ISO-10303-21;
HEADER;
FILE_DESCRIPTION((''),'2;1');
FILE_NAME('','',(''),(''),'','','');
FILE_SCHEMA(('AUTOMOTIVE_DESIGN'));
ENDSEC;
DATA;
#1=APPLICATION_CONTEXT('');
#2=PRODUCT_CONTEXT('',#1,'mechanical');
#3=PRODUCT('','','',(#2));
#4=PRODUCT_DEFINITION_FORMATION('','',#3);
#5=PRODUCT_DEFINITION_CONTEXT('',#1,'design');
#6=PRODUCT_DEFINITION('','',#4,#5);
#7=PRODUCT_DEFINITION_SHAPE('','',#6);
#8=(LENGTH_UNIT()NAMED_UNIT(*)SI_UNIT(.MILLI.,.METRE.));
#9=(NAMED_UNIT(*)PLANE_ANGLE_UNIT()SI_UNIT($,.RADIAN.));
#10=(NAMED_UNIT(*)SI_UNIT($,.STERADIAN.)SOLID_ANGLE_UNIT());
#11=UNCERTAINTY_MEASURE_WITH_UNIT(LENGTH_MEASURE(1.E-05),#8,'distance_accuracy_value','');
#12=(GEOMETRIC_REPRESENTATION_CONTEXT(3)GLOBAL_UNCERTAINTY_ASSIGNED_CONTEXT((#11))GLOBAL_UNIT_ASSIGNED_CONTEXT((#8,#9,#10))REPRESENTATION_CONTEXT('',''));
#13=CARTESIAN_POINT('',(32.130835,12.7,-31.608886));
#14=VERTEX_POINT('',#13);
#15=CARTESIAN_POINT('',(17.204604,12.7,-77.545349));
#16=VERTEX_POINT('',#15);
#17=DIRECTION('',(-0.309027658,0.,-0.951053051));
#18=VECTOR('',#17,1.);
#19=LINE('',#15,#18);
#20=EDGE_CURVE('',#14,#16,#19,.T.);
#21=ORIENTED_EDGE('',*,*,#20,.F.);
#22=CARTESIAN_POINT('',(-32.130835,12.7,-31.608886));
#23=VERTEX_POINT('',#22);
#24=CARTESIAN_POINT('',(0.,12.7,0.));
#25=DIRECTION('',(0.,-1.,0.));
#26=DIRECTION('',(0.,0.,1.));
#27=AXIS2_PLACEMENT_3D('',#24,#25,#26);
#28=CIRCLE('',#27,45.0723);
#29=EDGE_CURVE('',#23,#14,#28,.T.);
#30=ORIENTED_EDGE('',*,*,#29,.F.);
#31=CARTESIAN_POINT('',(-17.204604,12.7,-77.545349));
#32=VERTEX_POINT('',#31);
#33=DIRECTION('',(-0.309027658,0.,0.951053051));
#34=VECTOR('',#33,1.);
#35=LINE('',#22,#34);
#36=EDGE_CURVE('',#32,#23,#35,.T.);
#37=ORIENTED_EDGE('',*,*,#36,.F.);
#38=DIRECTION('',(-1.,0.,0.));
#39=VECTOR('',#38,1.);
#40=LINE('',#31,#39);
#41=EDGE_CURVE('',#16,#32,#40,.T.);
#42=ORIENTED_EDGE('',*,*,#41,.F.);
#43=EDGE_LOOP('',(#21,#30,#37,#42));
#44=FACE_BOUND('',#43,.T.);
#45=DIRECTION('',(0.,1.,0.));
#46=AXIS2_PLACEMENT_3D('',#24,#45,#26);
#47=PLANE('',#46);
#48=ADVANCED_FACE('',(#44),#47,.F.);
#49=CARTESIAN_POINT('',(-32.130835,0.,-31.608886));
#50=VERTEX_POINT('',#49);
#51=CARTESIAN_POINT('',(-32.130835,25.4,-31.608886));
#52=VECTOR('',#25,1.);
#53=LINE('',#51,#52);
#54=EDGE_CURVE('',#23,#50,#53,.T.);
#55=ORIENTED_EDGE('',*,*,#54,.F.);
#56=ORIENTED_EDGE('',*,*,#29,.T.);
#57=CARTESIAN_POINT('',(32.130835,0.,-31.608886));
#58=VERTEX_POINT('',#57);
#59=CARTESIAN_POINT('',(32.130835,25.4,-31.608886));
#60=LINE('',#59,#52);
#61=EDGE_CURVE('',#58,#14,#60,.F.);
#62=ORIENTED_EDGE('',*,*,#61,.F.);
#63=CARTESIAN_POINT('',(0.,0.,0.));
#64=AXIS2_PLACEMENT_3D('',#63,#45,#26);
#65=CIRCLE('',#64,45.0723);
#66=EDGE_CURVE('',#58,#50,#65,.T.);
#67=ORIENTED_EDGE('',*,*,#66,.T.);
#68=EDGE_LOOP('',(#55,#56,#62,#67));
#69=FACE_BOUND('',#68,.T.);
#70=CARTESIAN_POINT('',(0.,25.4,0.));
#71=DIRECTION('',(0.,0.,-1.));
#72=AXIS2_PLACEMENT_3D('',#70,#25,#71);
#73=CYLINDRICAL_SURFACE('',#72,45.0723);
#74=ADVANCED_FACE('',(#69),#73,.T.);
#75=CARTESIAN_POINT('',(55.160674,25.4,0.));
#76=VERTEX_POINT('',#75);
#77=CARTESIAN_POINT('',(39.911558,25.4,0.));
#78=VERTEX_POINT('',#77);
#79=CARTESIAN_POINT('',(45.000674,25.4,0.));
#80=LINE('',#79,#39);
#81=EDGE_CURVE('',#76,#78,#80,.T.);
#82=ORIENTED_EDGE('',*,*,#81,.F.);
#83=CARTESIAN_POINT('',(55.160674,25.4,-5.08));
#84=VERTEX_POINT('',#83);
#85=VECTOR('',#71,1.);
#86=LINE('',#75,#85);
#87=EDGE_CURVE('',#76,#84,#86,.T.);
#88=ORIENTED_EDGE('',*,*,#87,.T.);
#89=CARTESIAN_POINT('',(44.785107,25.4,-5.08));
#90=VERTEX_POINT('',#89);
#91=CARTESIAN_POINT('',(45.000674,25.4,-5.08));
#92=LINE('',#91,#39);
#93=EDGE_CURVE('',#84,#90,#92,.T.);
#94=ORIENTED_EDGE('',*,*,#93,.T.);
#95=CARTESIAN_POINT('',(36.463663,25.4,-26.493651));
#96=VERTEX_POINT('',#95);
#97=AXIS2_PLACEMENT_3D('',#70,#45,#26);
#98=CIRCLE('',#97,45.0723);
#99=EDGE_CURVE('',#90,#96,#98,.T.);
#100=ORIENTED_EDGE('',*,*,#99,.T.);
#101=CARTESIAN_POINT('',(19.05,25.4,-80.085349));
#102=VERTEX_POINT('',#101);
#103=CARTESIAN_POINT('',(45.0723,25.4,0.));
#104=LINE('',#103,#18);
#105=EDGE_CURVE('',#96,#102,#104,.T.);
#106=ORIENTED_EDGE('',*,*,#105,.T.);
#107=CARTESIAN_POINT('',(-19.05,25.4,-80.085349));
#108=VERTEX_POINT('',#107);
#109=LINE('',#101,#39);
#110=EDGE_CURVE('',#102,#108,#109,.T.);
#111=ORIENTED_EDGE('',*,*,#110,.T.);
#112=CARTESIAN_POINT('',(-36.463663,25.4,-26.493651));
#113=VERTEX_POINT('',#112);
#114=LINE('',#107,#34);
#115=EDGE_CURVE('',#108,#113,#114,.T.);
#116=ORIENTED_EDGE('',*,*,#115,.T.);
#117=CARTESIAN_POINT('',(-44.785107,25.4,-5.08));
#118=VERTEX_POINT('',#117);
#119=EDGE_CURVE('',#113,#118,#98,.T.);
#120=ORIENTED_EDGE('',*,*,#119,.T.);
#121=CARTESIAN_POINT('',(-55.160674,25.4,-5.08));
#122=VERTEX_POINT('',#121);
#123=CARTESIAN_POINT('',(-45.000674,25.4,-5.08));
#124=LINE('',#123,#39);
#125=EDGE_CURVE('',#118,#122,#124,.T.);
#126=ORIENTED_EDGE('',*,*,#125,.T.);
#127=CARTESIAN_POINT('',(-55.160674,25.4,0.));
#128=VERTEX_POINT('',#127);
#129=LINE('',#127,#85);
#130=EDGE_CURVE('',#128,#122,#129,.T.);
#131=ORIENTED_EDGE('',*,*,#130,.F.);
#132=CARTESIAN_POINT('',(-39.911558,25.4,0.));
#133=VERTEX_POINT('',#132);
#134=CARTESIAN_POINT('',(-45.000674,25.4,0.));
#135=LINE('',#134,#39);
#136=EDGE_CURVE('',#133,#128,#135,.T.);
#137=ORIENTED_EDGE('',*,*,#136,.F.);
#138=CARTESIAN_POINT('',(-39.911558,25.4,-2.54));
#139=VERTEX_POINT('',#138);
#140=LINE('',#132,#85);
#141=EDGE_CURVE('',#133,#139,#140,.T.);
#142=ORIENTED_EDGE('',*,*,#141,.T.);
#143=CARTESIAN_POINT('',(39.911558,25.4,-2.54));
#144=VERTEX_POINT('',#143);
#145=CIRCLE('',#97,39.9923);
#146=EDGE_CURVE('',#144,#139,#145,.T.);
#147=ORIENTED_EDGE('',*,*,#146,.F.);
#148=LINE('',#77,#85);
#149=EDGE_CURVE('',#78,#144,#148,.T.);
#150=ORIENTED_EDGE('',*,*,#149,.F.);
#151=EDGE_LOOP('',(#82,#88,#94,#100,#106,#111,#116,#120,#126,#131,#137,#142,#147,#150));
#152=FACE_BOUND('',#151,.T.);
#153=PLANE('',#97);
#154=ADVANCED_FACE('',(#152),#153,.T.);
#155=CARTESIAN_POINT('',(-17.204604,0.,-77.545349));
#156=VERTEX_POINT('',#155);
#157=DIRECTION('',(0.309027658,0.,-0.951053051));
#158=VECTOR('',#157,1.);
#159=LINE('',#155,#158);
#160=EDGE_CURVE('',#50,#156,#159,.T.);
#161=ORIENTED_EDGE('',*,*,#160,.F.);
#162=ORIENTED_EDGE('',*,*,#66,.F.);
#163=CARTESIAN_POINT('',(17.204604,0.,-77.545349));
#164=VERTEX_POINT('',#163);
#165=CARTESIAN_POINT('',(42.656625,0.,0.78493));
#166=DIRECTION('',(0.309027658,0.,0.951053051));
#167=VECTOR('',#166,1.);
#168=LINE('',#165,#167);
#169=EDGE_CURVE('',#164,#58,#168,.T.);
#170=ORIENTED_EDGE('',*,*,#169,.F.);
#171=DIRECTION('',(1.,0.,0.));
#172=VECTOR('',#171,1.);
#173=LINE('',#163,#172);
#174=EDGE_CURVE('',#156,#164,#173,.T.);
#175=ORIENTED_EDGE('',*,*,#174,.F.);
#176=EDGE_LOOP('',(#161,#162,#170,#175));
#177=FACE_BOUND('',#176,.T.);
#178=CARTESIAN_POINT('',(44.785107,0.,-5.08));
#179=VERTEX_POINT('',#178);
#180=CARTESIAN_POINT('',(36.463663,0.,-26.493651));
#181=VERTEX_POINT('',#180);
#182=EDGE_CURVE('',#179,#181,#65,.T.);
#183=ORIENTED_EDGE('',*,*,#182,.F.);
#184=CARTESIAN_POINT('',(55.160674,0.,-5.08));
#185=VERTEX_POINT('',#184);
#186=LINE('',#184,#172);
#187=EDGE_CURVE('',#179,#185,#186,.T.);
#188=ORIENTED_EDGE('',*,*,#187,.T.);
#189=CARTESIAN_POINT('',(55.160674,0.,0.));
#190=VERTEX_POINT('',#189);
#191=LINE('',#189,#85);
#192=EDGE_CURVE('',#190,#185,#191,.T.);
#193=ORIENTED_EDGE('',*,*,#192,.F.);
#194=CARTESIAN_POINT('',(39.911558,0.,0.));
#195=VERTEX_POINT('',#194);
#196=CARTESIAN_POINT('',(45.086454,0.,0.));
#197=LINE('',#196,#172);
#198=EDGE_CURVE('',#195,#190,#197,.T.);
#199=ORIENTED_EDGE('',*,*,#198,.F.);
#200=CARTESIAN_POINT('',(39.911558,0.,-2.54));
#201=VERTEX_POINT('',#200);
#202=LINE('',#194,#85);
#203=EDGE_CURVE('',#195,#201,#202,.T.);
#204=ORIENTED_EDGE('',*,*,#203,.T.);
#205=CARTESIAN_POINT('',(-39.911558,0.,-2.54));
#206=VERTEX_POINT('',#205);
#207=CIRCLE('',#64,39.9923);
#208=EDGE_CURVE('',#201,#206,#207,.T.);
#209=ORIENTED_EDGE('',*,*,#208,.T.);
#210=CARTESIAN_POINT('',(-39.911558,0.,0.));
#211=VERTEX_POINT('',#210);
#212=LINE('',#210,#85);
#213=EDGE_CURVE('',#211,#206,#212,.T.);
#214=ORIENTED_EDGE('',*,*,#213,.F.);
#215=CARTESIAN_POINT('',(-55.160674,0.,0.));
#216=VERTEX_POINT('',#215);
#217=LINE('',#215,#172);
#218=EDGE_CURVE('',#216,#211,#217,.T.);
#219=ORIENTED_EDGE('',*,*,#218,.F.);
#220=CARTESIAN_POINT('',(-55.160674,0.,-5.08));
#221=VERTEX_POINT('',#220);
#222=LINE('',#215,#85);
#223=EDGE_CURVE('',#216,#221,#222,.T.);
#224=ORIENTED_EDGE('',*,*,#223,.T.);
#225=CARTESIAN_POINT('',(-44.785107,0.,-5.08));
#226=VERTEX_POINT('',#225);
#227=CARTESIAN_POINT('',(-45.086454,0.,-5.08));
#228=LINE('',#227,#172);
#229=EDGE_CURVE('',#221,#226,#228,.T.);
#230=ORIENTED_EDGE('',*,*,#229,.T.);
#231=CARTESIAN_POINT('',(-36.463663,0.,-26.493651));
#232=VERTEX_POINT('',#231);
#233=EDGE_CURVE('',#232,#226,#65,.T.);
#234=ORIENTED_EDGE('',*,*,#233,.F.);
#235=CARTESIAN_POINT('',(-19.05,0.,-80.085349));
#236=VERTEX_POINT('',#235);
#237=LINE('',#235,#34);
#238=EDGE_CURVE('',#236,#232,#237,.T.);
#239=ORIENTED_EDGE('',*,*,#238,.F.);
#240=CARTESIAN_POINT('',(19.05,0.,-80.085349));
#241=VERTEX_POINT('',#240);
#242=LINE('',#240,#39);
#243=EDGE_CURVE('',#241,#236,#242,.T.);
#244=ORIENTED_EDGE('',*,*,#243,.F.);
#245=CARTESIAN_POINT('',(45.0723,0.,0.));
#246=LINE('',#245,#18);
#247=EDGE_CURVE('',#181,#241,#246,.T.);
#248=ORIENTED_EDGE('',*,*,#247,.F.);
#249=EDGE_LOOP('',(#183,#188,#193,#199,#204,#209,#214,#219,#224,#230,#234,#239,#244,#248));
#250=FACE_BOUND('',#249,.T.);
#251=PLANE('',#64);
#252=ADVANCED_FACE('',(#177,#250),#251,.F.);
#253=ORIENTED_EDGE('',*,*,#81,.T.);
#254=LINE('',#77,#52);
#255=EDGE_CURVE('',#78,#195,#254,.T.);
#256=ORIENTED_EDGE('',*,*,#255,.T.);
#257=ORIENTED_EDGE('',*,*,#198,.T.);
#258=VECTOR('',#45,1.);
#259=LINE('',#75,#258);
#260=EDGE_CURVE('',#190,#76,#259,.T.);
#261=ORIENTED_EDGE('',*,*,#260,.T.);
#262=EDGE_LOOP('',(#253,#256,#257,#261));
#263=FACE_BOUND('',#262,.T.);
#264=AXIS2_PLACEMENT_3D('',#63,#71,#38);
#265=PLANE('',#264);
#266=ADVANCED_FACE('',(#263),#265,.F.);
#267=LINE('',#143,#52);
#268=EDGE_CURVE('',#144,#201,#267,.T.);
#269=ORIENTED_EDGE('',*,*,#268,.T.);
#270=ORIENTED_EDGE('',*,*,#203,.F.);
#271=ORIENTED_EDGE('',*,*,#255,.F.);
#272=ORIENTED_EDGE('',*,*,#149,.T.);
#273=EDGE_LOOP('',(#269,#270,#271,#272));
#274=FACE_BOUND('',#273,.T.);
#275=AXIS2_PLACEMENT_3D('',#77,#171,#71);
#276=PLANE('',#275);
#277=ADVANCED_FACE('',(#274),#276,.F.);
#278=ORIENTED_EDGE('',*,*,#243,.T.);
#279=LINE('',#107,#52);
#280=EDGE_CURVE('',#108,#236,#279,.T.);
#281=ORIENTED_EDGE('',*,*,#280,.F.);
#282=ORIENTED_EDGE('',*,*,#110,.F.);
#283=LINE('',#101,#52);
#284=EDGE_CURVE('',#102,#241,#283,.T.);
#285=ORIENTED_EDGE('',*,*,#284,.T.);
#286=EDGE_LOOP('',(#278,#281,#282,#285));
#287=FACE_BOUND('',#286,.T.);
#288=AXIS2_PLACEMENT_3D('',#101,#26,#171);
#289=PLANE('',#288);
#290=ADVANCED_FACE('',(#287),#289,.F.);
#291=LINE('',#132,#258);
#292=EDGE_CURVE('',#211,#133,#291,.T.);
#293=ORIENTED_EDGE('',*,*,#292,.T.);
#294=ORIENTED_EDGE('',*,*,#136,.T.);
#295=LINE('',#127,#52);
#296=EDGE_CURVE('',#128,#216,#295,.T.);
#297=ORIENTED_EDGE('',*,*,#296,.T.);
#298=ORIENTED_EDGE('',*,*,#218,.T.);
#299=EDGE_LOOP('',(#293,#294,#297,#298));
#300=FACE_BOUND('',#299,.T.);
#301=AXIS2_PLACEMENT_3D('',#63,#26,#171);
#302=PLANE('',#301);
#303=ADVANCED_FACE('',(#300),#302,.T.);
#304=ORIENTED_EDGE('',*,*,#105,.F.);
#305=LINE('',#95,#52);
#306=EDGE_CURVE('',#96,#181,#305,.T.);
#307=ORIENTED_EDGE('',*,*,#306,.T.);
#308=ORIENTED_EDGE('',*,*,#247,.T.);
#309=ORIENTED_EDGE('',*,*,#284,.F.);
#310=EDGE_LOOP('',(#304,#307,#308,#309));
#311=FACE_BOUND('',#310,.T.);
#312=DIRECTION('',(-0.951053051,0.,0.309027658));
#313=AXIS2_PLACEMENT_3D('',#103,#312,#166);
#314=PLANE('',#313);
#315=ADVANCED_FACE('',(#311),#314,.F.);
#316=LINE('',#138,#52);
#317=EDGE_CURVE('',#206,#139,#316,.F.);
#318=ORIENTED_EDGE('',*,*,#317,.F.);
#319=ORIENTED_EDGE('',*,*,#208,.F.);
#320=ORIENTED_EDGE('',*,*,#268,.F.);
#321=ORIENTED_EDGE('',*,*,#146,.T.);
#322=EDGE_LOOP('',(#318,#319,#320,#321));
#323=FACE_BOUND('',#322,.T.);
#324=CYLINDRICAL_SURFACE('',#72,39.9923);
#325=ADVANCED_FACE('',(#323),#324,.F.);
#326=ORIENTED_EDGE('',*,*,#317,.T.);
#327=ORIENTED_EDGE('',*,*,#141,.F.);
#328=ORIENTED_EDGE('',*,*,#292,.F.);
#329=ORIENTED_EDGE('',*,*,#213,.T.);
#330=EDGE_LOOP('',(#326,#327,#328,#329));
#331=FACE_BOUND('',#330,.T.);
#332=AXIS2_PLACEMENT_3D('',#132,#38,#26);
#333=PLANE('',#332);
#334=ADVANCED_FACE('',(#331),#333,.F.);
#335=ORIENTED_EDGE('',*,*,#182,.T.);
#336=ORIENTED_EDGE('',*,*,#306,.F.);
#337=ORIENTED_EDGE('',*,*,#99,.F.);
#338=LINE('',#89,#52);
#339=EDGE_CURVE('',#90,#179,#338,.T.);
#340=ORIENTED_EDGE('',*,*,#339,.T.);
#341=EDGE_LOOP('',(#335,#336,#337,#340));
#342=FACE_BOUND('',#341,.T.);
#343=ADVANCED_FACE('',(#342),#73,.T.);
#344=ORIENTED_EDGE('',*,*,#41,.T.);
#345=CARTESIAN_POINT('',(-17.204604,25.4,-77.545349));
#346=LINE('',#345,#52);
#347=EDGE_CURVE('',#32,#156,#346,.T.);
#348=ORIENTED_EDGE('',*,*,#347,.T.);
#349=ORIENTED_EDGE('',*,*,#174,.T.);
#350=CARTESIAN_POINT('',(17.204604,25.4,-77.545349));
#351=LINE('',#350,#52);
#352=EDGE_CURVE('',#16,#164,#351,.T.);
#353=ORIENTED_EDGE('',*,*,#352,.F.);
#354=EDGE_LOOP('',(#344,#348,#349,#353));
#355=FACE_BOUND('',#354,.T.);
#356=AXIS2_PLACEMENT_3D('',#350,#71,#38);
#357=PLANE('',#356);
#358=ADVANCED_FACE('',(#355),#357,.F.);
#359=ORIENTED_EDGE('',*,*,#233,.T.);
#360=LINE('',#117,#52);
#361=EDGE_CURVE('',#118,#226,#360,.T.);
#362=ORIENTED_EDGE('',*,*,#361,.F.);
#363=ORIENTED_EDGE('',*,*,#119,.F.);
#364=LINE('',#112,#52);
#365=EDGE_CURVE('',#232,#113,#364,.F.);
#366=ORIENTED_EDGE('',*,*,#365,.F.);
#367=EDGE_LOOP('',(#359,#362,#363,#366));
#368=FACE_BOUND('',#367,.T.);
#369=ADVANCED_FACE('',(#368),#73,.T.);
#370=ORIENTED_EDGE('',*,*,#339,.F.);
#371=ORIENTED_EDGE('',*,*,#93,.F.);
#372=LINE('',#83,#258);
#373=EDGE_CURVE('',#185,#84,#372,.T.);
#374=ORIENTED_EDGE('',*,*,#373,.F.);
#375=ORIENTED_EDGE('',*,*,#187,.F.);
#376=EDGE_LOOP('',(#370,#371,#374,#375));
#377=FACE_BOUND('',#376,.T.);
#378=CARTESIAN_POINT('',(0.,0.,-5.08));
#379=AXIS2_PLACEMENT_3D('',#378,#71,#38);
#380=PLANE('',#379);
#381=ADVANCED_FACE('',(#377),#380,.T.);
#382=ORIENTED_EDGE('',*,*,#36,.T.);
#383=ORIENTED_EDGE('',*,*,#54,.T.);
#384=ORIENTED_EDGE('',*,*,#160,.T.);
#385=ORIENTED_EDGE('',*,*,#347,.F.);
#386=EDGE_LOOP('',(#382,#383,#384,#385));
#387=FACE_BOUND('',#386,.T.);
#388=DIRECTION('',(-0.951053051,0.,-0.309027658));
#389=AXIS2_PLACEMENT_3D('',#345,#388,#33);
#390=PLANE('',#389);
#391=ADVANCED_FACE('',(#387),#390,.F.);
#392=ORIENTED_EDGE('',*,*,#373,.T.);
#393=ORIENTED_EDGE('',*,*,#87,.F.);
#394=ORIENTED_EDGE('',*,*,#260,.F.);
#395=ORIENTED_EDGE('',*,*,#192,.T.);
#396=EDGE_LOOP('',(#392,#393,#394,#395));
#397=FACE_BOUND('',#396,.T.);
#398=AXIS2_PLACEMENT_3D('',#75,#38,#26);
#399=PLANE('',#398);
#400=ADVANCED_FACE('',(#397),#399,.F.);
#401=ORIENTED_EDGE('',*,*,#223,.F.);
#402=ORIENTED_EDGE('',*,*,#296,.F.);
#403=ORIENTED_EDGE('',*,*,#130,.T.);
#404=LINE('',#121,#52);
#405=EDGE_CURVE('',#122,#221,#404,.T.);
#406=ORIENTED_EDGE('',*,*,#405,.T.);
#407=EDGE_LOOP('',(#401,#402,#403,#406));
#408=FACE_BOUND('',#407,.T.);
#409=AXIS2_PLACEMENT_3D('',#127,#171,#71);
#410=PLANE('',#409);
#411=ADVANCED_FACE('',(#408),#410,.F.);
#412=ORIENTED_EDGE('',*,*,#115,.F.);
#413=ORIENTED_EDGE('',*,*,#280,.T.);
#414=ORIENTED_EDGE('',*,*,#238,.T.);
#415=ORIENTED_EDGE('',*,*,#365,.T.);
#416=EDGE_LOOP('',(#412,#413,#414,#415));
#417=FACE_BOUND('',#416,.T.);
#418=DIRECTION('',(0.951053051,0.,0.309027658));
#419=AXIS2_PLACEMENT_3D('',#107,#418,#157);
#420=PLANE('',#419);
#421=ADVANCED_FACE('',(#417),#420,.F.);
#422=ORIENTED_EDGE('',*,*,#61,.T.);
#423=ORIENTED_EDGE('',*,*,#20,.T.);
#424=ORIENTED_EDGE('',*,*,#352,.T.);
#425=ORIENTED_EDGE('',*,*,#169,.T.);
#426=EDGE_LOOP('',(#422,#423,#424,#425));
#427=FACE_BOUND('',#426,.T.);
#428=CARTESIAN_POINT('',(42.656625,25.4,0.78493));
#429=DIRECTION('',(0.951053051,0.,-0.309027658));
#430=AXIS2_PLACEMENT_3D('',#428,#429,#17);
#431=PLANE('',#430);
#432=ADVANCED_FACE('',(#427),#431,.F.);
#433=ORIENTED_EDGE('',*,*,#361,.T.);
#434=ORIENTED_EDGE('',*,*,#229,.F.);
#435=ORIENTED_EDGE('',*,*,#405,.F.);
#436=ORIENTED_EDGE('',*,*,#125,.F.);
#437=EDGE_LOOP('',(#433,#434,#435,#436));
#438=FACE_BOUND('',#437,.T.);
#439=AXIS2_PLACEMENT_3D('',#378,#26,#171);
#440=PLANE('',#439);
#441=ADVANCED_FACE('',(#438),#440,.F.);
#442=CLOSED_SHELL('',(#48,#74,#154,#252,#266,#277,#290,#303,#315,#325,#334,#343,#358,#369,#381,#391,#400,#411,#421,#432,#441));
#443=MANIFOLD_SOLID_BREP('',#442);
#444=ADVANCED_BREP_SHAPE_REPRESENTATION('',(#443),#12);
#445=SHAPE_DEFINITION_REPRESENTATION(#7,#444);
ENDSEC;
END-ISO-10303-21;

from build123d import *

# Parameters (mm, degrees)
SKETCH1_R               = 45.0723
SKETCH1_R_2             = 39.9923
BOSS_EXTRUDE1_DEPTH     = 25.4
BOSS_EXTRUDE2_DEPTH     = 12.7
BOSS_EXTRUDE3_DEPTH     = 12.7
SKETCH4_W               = 90.1446
SKETCH4_H               = 25.4
CUT_EXTRUDE1_DEPTH      = 46.0723
CUT_EXTRUDE1_DEPTH_BACK = 2.54
BOSS_EXTRUDE4_DEPTH     = 2.54


with BuildPart() as part:
    # Sketch1 → Boss-Extrude1 (new body)
    with BuildSketch(Plane(origin=(0, 0, 0), x_dir=(1, 0, 0), z_dir=(0, 1, 0))):
        Circle(SKETCH1_R)
        Circle(SKETCH1_R_2, mode=Mode.SUBTRACT)
    extrude(amount=BOSS_EXTRUDE1_DEPTH)

    # Sketch2 → Boss-Extrude2 (add, symmetric)
    with BuildSketch(Plane(origin=(0, 12.7, 0), x_dir=(1, 0, 0), z_dir=(0, 1, 0))):
        Polygon((45.0723, 0), (19.05, 80.085348852), (-19.05, 80.085348852), (-45.0723, 0), (-42.65662525, -0.784930252), (-17.204603736, 77.545348852), (17.204603736, 77.545348852), (42.65662525, -0.784930252), align=None)
    extrude(amount=BOSS_EXTRUDE2_DEPTH, both=True)

    # Sketch3 → Boss-Extrude3 (add)
    with BuildSketch(Plane(origin=(0, 25.4, 0), x_dir=(1, 0, 0), z_dir=(0, 1, 0))):
        with BuildLine():
            Line((-17.204603736, 77.545348852), (17.204603736, 77.545348852))
            Line((17.204603736, 77.545348852), (32.130834652, 31.60888628))
            ThreePointArc((32.130834652, 31.60888628), (0, 45.0723), (-32.130834652, 31.60888628))
            Line((-32.130834652, 31.60888628), (-17.204603736, 77.545348852))
        make_face()
    extrude(amount=-BOSS_EXTRUDE3_DEPTH)

    # Sketch4 → Cut-Extrude1 (cut, two sides)
    with BuildSketch(Plane.XY) as cut_extrude1_sk:
        with Locations((0, 12.7)):
            Rectangle(SKETCH4_W, SKETCH4_H)
    extrude(amount=CUT_EXTRUDE1_DEPTH, mode=Mode.SUBTRACT)
    extrude(cut_extrude1_sk.sketch, amount=-CUT_EXTRUDE1_DEPTH_BACK, mode=Mode.SUBTRACT)

    # Sketch5 → Boss-Extrude4 (add, symmetric)
    with BuildSketch(Plane.XY.offset(-2.54)):
        Polygon((-45.000673632, 25.4), (-39.911557966, 25.4), (-39.911557966, 0), (-45.086454025, 0), (-55.160673632, 0), (-55.160673632, 25.4), align=None)
        Polygon((55.160673632, 25.4), (55.160673632, 0), (45.086454025, 0), (39.911557966, 0), (39.911557966, 25.4), (45.000673632, 25.4), align=None)
    extrude(amount=BOSS_EXTRUDE4_DEPTH, both=True)


solid = part.part
